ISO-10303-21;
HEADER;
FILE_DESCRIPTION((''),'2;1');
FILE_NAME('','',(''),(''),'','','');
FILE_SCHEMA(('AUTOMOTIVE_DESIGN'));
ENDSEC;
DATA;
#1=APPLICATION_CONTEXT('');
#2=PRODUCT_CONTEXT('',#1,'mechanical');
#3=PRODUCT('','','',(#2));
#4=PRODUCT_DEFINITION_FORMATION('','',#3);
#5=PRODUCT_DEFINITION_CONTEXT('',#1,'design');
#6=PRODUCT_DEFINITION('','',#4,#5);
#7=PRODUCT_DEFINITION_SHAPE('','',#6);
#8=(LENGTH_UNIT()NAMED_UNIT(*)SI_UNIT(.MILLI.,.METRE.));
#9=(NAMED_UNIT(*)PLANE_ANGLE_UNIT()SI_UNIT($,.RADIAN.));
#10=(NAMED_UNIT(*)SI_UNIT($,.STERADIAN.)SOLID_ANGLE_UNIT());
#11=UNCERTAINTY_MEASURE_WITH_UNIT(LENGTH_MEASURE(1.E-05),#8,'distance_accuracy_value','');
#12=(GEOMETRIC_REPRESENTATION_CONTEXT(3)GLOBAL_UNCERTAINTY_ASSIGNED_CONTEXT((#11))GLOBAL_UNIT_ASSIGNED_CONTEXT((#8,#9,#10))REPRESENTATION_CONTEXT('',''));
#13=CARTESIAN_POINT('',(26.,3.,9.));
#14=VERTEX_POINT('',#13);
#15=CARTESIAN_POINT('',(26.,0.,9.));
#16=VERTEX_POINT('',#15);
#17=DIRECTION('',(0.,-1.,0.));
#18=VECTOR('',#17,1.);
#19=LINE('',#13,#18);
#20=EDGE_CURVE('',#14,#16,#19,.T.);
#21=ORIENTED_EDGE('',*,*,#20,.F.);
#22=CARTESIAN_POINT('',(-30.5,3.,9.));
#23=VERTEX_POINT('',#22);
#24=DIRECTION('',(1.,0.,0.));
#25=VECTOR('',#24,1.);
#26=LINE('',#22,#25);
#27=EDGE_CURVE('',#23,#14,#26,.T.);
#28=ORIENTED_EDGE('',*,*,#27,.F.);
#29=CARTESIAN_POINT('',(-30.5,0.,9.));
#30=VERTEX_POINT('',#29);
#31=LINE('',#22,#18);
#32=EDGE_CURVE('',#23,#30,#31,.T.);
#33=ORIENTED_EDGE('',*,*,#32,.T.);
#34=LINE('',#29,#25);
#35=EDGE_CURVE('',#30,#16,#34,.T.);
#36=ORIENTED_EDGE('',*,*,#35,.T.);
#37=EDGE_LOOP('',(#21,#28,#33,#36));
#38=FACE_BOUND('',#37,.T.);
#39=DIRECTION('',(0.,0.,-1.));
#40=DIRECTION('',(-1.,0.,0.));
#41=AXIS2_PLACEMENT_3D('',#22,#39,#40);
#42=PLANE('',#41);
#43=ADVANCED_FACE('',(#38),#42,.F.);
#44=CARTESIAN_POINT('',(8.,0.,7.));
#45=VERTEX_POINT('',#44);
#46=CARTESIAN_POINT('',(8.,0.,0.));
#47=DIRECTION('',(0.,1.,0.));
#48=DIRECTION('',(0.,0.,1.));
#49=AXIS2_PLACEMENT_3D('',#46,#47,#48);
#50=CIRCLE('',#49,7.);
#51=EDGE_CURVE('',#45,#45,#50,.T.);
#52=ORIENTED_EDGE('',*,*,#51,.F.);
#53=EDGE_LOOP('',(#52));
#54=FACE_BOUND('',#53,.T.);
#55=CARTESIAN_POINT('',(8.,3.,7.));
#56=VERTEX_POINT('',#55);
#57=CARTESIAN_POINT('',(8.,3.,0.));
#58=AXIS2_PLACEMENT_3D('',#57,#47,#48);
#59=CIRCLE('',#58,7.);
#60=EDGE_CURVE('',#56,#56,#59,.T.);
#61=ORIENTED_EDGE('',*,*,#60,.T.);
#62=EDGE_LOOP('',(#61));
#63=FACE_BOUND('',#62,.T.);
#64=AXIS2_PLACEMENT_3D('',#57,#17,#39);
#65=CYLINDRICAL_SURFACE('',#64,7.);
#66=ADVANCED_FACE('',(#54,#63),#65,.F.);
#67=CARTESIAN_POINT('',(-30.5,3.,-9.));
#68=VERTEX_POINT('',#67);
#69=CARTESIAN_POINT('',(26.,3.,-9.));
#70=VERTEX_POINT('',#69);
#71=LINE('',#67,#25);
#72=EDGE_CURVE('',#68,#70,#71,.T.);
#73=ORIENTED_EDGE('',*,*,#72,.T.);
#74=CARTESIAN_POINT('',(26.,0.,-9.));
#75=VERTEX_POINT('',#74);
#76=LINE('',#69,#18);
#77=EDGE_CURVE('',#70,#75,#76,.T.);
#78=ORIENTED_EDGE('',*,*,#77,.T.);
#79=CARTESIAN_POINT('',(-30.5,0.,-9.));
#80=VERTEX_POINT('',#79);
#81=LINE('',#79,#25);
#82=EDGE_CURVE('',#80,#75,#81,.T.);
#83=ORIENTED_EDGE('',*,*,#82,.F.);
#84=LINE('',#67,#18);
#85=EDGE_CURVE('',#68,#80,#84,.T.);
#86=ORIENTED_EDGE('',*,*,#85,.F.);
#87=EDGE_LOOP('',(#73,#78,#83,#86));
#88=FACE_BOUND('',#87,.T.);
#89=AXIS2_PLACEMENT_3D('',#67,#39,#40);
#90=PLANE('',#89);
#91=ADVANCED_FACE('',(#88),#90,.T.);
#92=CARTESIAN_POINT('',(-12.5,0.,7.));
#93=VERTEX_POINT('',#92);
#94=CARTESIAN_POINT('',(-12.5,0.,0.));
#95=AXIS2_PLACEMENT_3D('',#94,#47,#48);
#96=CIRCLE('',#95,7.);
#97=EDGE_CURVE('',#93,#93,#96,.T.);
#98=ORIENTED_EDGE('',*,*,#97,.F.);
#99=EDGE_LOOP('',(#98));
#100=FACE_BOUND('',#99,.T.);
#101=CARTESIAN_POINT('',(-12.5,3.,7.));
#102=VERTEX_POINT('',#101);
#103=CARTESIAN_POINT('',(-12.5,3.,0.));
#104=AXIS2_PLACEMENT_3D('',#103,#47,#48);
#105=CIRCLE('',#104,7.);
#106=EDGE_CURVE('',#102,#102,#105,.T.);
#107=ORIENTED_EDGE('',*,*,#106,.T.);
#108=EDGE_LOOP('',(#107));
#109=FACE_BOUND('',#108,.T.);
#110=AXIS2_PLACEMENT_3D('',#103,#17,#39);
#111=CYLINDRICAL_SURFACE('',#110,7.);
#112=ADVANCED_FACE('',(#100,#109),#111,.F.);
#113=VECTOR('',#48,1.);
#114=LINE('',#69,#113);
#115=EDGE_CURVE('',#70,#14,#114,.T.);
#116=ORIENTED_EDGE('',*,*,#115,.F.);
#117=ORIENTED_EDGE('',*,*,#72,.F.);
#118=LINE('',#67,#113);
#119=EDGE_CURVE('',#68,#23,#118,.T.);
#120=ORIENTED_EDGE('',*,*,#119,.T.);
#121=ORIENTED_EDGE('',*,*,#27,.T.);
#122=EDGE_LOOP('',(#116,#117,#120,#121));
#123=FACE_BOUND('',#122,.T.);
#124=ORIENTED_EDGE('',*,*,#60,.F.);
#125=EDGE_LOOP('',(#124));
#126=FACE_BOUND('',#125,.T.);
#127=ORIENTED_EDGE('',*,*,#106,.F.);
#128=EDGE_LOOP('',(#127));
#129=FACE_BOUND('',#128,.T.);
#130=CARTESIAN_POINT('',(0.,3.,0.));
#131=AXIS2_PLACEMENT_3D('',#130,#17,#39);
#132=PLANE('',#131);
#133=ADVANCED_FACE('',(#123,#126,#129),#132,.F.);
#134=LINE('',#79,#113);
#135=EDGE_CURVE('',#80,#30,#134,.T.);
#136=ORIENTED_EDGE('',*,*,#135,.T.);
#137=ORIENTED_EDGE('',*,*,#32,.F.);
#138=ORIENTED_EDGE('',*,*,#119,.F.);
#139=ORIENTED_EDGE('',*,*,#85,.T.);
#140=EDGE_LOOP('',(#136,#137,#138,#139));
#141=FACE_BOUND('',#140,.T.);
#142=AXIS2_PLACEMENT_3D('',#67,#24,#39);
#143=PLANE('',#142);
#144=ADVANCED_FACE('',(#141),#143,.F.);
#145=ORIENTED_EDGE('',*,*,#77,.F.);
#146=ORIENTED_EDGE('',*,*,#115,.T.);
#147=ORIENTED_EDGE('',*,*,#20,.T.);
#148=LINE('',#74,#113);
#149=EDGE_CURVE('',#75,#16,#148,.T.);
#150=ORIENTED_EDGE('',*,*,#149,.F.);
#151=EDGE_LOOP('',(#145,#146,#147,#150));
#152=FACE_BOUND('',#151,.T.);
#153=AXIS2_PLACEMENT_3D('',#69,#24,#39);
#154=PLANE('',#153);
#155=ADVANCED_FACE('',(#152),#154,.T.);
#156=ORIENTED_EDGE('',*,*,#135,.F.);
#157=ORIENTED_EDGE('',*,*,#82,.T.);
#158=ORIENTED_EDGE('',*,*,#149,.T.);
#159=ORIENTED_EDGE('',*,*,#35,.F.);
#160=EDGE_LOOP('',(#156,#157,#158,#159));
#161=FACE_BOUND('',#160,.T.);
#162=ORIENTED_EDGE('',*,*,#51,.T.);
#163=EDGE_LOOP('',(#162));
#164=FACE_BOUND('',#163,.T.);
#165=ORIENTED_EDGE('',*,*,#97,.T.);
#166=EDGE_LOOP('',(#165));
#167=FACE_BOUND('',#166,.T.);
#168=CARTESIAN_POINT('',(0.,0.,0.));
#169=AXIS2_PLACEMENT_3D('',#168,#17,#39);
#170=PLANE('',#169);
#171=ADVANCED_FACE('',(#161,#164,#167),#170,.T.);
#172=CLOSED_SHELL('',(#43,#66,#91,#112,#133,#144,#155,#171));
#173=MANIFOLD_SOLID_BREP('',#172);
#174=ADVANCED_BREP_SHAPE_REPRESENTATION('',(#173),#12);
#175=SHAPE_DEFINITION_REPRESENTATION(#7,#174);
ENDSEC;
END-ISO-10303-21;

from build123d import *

# Parameters (mm, degrees)
SKETCH1_W           = 56.5
SKETCH1_H           = 18
SKETCH1_R           = 7
BOSS_EXTRUDE2_DEPTH = 3


with BuildPart() as part:
    # Sketch1 → Boss-Extrude2 (new body)
    with BuildSketch(Plane(origin=(0, 0, 0), x_dir=(1, 0, 0), z_dir=(0, 1, 0))):
        with Locations((-2.25, 0)):
            Rectangle(SKETCH1_W, SKETCH1_H)
        with Locations(Location((-12.5, 0, 0), (0, 0, 270))):
            Circle(SKETCH1_R, mode=Mode.SUBTRACT)
        with Locations(Location((8, 0, 0), (0, 0, 270))):
            Circle(SKETCH1_R, mode=Mode.SUBTRACT)
    extrude(amount=BOSS_EXTRUDE2_DEPTH)


solid = part.part
